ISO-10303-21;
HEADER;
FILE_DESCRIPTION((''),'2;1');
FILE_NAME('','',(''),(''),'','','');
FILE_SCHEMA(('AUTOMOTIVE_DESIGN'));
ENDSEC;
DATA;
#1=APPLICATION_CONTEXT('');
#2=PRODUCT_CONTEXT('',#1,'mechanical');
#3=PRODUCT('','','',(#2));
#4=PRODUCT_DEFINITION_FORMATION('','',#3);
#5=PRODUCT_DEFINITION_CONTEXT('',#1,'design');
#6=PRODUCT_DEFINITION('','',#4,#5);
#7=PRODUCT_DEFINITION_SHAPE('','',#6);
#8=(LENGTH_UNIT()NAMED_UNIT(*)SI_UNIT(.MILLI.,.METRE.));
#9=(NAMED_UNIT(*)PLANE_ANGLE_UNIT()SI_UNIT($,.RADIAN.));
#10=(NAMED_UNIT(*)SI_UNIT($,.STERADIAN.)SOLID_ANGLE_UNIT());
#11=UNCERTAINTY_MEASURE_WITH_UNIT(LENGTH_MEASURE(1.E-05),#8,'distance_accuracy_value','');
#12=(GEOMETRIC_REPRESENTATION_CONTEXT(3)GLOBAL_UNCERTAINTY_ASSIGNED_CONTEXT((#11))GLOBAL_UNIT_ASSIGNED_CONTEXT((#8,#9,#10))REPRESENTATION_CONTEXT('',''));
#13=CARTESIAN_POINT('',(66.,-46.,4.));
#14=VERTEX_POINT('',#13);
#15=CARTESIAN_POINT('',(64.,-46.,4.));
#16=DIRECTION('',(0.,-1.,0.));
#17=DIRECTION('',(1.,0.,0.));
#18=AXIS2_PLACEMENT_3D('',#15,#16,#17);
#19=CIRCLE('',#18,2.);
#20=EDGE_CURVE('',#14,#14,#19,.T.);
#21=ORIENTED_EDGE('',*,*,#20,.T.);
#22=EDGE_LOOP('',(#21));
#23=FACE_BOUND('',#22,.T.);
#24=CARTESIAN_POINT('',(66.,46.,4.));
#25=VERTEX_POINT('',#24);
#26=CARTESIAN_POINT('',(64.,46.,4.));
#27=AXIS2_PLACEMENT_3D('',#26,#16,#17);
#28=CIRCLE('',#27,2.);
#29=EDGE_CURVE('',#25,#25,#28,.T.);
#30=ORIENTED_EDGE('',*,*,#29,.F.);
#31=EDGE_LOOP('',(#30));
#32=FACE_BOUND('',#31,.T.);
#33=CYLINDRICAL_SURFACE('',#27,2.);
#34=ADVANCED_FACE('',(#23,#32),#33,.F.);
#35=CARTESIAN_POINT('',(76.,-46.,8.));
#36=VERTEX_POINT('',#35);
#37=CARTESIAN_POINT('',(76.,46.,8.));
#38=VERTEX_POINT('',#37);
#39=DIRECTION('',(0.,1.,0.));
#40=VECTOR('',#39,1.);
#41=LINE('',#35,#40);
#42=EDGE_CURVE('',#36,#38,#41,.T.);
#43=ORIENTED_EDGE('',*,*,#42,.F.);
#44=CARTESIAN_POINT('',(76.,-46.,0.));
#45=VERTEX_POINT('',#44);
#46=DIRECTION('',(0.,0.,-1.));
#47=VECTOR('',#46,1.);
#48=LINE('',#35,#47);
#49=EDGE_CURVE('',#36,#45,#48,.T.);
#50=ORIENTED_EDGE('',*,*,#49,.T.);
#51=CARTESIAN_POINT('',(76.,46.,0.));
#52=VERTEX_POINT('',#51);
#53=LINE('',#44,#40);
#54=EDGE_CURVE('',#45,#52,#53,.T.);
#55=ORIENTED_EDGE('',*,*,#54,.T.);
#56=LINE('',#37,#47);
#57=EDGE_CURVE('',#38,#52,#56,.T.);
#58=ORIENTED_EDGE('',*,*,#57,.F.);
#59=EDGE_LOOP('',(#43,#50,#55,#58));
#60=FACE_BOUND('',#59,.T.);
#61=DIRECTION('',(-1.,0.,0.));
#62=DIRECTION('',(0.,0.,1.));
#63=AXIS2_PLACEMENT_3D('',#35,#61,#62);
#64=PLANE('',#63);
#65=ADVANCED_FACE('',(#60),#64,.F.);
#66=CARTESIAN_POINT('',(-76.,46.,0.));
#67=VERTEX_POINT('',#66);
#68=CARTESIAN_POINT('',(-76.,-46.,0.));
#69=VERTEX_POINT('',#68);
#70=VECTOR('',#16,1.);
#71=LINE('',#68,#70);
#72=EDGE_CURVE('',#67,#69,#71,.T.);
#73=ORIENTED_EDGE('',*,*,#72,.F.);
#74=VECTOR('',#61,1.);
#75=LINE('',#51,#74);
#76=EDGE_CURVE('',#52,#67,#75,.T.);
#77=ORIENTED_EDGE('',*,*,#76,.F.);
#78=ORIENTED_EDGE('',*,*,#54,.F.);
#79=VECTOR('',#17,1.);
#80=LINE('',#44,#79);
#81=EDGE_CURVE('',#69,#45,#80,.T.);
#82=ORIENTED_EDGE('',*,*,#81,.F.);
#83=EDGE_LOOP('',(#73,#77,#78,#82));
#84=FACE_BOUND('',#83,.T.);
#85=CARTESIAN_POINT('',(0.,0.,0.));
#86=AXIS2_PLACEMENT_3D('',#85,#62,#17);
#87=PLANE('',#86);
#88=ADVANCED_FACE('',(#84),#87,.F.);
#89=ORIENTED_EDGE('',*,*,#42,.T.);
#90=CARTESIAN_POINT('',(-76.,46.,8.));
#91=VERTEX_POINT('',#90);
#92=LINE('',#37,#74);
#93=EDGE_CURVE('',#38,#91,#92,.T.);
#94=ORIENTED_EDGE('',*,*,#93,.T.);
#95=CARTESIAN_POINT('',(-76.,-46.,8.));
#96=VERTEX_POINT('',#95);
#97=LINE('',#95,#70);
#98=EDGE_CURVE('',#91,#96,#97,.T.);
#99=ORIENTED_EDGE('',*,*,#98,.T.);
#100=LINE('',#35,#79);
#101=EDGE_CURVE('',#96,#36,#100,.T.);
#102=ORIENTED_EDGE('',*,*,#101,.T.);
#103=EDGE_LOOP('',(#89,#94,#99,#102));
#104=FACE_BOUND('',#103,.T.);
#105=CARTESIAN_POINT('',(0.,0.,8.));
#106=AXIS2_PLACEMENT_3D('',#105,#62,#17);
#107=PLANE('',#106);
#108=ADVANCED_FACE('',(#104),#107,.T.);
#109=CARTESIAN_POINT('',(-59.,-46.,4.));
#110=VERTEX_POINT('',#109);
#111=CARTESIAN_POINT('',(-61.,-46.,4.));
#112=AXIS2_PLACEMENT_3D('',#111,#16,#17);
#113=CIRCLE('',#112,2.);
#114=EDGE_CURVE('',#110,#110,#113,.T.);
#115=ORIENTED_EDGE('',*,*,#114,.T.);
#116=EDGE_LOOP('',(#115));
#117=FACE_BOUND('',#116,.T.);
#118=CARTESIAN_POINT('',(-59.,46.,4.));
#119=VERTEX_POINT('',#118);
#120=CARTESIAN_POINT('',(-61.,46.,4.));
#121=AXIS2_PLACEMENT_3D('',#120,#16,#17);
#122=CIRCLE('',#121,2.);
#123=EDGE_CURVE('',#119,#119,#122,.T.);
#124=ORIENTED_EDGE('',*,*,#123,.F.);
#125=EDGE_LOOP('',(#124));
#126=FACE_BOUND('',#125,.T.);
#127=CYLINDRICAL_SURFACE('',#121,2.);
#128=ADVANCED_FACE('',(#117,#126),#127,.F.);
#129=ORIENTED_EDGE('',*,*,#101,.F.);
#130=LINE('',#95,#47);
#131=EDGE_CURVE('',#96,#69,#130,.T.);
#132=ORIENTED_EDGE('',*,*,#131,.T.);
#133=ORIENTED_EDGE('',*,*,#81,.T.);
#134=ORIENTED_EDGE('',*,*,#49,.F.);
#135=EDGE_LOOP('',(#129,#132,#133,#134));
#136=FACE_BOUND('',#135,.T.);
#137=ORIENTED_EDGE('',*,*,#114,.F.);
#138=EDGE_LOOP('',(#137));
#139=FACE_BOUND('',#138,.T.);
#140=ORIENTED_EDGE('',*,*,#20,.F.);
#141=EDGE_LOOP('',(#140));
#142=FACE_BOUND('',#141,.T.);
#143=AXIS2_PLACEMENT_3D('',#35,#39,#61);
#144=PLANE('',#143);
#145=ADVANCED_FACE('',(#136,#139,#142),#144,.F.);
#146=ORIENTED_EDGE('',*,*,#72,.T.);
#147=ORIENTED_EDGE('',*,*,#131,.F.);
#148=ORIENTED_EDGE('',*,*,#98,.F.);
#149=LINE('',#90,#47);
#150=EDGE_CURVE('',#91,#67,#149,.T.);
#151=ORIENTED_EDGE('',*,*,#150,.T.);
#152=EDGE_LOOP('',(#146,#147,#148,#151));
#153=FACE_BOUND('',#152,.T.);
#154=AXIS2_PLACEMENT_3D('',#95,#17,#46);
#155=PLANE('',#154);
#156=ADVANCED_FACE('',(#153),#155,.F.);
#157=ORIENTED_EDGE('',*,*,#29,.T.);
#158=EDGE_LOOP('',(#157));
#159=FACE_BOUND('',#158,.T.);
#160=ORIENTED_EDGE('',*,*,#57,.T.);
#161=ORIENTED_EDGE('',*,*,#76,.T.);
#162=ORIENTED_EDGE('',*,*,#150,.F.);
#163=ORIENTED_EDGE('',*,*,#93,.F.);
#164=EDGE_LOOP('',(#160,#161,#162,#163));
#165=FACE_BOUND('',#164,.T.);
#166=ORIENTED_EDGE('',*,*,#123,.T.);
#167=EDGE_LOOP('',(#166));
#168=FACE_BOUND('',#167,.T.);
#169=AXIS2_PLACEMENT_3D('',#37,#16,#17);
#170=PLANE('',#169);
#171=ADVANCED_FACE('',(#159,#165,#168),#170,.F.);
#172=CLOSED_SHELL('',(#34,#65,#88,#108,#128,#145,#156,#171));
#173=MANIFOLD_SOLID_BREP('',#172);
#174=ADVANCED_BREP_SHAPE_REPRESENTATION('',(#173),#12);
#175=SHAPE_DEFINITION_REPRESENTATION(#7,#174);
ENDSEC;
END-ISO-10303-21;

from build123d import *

# Parameters (mm, degrees)
ESQUISSE1_W             = 152
ESQUISSE1_H             = 92
BOSS_EXTRU_1_DEPTH      = 8
ESQUISSE2_R             = 2
ENL_V_MAT_EXTRU_1_DEPTH = 120.599331102


with BuildPart() as part:
    # Esquisse1 → Boss.-Extru.1 (new body)
    with BuildSketch(Plane.XY):
        Rectangle(ESQUISSE1_W, ESQUISSE1_H)
    extrude(amount=BOSS_EXTRU_1_DEPTH)

    # Esquisse2 → Enlèv. mat.-Extru.1 (cut, through all)
    with BuildSketch(Plane.XZ.offset(46)):
        with Locations((64, 4)):
            Circle(ESQUISSE2_R)
        with Locations((-61, 4)):
            Circle(ESQUISSE2_R)
    extrude(amount=-ENL_V_MAT_EXTRU_1_DEPTH, mode=Mode.SUBTRACT)


solid = part.part
